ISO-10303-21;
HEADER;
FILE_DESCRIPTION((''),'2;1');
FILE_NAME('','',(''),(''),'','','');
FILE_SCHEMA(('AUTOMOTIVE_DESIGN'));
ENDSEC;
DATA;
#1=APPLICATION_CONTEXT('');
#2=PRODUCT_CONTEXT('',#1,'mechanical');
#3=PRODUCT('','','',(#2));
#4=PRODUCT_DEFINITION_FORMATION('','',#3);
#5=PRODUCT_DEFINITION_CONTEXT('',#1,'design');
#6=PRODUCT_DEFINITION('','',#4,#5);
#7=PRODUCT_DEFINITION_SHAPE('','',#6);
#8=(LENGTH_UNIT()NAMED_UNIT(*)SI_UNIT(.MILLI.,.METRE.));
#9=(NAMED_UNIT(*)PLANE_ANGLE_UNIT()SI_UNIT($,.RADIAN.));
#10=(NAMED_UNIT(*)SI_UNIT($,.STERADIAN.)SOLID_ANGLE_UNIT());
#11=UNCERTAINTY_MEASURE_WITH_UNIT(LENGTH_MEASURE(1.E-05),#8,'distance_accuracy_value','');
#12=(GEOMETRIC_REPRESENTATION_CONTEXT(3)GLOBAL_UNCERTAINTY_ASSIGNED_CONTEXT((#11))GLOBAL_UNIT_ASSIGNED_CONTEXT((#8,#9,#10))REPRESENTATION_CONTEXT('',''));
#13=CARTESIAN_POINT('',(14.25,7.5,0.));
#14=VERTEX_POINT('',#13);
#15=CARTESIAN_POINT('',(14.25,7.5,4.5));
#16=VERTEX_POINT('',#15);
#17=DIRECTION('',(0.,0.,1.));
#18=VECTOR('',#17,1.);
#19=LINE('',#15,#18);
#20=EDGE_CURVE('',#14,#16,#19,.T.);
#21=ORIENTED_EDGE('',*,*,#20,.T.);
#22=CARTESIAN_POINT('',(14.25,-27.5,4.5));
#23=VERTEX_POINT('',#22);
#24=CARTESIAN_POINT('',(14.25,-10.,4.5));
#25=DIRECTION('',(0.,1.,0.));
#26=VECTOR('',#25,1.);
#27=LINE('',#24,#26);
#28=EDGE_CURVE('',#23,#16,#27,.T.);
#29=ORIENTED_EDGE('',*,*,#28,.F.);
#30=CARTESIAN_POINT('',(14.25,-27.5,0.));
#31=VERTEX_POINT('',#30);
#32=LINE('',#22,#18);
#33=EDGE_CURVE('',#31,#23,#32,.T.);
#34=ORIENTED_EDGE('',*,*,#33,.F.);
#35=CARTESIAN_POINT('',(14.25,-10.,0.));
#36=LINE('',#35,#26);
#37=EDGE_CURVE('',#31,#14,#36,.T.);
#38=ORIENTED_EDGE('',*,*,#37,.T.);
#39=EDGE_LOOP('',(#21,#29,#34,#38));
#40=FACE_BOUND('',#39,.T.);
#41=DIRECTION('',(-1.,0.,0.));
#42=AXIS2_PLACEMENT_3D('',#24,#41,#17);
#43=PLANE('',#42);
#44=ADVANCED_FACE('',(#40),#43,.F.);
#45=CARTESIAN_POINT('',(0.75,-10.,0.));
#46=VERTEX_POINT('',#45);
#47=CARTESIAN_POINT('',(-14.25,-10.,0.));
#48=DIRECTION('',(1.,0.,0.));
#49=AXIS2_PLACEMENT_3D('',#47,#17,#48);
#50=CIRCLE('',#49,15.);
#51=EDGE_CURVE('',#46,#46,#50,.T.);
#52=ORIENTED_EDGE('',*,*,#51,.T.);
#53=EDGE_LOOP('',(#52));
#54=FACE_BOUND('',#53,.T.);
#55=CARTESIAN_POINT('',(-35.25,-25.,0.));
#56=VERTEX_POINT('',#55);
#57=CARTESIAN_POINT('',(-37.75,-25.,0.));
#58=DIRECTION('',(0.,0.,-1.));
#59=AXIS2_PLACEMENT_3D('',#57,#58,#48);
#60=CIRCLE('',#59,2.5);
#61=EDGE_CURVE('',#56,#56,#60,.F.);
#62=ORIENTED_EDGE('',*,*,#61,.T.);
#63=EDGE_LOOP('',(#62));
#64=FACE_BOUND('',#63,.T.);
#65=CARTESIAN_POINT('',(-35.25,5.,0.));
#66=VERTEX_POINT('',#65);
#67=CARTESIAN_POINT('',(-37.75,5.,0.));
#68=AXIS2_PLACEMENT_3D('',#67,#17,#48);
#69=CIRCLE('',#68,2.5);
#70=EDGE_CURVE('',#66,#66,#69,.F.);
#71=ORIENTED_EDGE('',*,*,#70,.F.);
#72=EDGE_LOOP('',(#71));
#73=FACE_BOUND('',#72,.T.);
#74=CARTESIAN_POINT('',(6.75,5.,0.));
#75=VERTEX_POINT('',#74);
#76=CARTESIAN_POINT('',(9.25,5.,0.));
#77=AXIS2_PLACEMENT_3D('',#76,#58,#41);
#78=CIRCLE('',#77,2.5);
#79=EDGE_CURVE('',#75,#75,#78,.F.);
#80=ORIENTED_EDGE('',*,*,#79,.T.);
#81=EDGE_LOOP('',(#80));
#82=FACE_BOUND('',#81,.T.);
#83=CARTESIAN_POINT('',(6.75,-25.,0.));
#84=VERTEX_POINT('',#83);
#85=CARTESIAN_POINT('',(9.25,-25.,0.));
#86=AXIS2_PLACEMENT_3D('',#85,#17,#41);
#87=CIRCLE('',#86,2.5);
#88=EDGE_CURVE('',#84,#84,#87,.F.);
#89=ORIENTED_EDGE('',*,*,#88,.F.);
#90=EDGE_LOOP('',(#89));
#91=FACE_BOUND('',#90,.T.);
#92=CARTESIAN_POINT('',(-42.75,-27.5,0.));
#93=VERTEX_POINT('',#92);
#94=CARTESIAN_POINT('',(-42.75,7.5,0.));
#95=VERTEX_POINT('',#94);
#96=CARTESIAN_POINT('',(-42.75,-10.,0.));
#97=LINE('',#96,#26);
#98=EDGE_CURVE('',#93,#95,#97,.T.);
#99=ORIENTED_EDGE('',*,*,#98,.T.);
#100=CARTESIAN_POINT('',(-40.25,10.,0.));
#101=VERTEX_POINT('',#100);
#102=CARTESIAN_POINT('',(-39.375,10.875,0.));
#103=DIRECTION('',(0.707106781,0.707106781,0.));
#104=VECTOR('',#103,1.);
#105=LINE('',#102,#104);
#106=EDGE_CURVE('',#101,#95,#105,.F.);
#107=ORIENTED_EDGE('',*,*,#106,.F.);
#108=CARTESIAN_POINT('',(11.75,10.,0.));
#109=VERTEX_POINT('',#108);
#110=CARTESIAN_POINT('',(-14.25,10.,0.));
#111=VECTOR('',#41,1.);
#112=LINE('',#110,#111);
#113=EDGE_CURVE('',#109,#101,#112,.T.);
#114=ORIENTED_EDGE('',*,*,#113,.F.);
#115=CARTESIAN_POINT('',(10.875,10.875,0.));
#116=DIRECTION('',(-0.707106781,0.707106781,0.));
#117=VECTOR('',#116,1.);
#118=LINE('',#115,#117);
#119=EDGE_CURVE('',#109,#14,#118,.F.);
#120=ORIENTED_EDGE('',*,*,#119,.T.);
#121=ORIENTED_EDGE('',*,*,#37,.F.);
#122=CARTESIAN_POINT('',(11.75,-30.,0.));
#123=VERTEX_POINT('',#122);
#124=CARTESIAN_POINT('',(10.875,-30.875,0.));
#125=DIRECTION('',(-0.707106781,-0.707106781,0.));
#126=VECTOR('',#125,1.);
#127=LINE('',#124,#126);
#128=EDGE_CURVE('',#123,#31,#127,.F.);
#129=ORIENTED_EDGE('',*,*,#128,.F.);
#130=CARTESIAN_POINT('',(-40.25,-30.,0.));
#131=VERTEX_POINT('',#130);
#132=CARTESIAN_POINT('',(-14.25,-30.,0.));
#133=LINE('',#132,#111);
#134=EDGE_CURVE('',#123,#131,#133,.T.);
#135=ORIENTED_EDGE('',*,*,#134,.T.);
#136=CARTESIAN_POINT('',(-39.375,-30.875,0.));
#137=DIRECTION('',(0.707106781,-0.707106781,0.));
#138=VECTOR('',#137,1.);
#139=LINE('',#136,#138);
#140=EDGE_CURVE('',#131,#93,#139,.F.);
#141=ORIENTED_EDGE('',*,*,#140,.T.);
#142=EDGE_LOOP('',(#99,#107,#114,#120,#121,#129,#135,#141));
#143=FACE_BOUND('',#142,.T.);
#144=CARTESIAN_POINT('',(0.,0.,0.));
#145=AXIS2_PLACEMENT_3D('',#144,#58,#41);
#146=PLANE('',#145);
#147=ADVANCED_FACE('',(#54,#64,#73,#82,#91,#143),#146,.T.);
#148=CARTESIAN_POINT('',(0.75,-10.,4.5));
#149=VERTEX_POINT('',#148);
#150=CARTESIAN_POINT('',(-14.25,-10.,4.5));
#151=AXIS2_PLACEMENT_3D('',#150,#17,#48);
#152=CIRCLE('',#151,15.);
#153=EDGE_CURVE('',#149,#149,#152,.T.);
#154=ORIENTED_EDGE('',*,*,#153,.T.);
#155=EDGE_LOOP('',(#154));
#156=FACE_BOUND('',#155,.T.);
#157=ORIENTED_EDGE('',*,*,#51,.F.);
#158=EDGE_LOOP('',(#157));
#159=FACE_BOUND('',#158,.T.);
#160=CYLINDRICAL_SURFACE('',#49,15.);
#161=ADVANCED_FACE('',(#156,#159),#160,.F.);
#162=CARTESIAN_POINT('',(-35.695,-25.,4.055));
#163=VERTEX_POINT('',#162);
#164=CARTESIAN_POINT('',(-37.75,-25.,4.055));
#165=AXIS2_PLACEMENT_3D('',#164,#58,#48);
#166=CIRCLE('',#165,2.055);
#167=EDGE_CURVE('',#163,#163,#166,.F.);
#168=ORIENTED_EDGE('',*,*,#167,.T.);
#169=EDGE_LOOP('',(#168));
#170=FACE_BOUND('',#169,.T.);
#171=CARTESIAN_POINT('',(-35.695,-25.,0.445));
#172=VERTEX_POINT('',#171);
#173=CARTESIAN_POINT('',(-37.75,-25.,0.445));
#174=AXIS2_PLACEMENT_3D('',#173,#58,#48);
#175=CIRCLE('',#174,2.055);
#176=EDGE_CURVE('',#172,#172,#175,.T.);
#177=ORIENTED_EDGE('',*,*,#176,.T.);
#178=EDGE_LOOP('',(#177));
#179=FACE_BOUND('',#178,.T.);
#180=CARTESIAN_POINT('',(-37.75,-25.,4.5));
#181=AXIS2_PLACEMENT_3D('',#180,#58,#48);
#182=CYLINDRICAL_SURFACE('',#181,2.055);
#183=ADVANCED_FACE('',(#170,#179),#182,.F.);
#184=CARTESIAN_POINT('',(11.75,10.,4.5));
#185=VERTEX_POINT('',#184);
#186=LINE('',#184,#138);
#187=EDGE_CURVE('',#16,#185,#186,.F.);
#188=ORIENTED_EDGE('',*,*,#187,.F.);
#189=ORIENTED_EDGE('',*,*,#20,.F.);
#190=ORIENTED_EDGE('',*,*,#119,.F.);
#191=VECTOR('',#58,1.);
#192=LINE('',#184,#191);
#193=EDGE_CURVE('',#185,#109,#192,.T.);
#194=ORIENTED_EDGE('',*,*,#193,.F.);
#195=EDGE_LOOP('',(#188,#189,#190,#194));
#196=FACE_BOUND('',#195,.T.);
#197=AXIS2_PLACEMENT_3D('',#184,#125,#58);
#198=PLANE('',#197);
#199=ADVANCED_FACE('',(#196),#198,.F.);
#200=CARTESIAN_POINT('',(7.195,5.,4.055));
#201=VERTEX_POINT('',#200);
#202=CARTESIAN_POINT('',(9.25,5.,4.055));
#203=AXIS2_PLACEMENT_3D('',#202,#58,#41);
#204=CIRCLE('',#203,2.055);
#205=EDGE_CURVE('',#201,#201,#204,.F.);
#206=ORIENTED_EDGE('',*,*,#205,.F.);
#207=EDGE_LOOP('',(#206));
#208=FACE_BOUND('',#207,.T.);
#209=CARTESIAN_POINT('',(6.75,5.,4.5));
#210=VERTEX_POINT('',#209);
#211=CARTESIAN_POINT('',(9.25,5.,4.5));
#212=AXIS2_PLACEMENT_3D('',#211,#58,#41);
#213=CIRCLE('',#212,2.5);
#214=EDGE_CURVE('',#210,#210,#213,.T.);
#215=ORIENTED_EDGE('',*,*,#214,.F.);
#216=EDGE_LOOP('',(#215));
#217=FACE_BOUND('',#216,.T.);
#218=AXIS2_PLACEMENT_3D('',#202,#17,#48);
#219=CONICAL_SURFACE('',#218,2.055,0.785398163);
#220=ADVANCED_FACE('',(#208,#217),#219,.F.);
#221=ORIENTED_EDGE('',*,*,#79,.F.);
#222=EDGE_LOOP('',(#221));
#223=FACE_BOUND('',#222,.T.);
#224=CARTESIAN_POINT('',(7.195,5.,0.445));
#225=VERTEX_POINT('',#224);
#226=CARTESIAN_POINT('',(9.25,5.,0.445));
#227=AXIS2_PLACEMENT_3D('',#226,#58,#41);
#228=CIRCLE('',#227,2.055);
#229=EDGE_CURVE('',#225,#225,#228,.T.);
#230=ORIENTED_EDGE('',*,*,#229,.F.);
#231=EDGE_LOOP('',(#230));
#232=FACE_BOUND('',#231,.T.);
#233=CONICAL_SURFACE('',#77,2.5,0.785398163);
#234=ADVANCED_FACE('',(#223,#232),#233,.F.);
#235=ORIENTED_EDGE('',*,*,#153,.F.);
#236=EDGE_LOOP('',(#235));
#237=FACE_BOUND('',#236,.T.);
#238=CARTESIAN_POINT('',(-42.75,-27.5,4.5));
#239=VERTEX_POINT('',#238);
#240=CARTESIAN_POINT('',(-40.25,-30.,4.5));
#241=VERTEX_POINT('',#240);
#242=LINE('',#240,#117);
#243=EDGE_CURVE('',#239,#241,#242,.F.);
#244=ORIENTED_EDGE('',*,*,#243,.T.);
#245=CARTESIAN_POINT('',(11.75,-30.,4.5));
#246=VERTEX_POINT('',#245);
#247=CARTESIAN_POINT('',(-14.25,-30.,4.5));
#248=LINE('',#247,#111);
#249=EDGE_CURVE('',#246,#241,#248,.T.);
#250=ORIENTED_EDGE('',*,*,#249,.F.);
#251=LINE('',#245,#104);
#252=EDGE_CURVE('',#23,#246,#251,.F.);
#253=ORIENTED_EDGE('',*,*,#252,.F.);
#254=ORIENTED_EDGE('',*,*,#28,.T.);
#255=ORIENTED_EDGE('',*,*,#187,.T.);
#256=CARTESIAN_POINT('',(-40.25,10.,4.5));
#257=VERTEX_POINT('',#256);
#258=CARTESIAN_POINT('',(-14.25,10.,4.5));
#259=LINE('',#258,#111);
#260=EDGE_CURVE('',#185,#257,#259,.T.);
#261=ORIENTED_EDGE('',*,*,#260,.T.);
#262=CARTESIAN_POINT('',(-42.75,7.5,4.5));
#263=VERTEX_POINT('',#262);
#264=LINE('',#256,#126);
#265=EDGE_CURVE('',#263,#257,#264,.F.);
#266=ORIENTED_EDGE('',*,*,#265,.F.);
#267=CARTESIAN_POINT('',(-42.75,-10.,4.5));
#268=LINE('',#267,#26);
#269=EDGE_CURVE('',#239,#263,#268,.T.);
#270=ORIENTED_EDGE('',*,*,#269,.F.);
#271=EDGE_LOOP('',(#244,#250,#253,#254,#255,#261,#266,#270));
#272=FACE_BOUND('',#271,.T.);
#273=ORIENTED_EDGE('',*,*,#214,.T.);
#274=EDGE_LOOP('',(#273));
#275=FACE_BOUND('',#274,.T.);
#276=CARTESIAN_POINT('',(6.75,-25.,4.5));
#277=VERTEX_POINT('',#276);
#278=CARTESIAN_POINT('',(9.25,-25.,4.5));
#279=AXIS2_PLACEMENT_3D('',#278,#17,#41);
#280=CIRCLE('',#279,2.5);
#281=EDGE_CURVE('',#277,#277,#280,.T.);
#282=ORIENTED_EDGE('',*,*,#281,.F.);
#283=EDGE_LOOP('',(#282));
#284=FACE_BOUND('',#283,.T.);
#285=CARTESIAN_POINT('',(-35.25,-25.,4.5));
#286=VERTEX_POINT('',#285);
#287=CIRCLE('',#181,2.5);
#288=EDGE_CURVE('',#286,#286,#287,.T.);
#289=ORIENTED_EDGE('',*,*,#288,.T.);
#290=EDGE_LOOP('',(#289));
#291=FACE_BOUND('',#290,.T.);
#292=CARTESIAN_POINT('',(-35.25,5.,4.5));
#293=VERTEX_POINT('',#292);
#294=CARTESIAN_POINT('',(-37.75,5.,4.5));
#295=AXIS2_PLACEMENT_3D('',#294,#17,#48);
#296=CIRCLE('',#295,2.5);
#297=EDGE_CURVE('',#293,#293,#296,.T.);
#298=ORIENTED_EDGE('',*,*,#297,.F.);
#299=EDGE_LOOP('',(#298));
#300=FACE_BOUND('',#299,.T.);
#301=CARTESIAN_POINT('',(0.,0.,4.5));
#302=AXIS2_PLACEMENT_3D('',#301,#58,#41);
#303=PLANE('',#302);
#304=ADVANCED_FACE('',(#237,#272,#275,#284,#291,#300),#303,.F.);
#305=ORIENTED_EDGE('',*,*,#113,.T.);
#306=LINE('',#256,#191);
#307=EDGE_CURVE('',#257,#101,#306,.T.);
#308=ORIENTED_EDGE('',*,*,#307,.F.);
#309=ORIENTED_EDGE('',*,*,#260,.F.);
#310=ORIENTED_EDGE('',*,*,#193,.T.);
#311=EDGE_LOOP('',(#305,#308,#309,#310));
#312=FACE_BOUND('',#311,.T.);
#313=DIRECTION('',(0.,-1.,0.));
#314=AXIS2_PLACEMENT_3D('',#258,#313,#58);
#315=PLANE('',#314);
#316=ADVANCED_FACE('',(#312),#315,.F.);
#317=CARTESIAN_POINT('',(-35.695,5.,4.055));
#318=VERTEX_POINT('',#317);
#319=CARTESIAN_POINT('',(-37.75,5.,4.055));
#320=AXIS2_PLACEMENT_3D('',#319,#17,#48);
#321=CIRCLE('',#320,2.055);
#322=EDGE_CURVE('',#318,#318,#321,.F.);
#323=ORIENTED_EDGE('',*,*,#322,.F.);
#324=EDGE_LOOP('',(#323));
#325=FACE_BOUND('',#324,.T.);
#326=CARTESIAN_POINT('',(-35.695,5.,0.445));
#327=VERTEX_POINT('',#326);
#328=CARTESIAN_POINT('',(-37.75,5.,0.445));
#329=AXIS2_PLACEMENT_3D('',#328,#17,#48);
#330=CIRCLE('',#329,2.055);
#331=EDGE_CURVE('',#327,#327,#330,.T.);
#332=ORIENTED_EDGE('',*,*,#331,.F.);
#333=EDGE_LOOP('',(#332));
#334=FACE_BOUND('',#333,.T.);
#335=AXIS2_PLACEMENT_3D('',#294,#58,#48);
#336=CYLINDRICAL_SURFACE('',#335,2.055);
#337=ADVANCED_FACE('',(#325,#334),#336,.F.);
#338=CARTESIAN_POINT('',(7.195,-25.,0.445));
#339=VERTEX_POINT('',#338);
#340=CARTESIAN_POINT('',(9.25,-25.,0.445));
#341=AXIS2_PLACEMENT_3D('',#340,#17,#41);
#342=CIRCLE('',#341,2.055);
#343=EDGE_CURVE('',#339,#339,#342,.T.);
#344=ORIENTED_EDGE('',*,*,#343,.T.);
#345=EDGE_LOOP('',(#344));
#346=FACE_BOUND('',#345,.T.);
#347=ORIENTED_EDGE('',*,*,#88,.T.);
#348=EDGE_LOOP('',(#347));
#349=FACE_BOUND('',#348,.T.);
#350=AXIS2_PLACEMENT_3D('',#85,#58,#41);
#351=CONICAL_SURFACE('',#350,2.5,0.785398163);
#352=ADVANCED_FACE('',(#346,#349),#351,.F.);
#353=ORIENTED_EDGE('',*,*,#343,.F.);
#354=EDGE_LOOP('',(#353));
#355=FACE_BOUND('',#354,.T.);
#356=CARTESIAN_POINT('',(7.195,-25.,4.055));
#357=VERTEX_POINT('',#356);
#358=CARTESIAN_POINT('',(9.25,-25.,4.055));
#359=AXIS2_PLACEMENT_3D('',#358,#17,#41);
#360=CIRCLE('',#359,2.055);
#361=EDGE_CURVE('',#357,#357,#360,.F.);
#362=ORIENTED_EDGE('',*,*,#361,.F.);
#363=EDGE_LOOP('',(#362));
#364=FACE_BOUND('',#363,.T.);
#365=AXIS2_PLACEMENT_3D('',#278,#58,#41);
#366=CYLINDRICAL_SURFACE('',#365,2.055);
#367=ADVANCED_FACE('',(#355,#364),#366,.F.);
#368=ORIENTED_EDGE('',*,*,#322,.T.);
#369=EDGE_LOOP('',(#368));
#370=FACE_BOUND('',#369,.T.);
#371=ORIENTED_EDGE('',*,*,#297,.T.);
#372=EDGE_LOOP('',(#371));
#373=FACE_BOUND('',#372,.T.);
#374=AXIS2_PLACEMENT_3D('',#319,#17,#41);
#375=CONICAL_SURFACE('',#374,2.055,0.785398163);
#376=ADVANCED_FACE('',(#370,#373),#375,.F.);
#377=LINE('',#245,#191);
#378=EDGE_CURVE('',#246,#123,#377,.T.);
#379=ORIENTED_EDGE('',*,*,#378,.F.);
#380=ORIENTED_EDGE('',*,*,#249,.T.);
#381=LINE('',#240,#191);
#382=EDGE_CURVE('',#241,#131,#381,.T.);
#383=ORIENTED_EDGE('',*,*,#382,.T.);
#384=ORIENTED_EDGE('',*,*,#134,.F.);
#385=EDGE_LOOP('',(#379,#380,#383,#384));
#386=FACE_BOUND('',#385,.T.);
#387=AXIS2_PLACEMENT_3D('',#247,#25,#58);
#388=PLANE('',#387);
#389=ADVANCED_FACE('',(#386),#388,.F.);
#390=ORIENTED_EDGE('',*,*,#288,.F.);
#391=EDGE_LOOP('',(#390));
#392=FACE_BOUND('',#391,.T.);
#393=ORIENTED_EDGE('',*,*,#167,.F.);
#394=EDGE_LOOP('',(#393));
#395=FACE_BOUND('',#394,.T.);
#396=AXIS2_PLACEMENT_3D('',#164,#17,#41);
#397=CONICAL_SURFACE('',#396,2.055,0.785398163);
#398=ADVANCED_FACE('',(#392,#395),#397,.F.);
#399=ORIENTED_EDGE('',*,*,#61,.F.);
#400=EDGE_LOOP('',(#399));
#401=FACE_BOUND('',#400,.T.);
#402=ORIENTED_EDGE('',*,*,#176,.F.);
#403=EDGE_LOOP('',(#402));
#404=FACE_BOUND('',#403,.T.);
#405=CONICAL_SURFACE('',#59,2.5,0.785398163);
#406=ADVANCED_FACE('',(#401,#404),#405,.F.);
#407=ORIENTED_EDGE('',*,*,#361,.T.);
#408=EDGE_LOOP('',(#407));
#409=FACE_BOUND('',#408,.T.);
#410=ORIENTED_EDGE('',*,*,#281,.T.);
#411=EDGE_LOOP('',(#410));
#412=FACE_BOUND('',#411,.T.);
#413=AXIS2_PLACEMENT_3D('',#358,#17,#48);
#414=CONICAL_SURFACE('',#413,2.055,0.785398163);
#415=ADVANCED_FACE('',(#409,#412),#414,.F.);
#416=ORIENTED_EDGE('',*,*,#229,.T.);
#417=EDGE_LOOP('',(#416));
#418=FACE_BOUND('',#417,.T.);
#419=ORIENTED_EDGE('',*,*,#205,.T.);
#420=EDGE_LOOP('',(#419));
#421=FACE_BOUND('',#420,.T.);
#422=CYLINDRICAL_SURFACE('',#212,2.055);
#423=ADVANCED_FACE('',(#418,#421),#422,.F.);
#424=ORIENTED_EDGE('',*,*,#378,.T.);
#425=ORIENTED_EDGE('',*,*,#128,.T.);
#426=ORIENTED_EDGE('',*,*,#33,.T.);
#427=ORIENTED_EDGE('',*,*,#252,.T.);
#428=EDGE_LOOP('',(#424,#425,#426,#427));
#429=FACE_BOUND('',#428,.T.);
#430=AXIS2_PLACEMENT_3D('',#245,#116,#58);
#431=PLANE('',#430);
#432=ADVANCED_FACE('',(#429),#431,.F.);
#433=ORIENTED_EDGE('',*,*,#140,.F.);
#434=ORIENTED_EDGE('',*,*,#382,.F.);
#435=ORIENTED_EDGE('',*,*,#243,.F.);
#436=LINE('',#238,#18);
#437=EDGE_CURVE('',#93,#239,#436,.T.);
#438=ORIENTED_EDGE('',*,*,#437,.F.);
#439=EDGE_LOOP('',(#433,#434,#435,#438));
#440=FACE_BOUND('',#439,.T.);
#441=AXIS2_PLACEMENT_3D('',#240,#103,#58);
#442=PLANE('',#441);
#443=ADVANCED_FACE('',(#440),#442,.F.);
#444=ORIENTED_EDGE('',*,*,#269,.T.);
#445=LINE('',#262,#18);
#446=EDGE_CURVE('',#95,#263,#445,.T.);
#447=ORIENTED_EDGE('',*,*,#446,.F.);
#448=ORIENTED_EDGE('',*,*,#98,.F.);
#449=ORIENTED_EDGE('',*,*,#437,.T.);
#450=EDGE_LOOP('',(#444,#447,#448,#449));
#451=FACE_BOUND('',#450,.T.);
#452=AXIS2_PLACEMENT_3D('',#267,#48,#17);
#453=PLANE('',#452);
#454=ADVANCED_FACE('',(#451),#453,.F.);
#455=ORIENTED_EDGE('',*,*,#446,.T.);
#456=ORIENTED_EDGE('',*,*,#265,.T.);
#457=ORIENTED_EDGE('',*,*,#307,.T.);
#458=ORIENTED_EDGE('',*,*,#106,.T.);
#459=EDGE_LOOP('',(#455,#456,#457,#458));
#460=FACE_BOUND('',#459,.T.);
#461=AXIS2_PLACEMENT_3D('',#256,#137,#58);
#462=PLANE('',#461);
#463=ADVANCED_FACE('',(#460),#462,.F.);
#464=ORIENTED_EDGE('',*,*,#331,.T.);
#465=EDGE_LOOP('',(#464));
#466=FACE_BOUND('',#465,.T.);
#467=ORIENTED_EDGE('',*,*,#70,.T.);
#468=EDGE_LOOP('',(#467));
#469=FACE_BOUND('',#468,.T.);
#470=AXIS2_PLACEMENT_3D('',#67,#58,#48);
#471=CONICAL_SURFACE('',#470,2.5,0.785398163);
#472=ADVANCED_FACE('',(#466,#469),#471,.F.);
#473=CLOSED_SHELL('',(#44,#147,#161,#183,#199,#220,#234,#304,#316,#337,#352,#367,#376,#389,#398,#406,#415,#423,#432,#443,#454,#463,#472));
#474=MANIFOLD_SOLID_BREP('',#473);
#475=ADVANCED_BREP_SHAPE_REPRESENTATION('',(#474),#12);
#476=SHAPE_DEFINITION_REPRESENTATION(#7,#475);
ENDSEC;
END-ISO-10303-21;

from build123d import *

# Parameters (mm, degrees)
SKETCH_1_W          = 28.5
SKETCH_1_H          = 20
SKETCH_1_R          = 2.055
EXTRUDE_1_DEPTH     = 4.5
CHAMFER_1_SIZE      = 2.5
CHAMFER_2_SIZE      = 0.445
SKETCH_2_R          = 15
CUT_EXTRUDE_1_DEPTH = 5.5


with BuildPart() as part:
    # Эскиз1 → Бобышка-Вытянуть1 (new body)
    with BuildSketch(Plane.XY):
        Rectangle(SKETCH_1_W, SKETCH_1_H)
        with Locations((9.25, 5)):
            Circle(SKETCH_1_R, mode=Mode.SUBTRACT)
    extrude(amount=EXTRUDE_1_DEPTH)

    # Фаска1
    chamfer_1_edges = [part.edges().sort_by_distance(p)[0] for p in [
        (14.25, 10, 2.25),
    ]]
    chamfer(chamfer_1_edges, length=CHAMFER_1_SIZE)

    # Фаска2
    chamfer_2_edges = [part.edges().sort_by_distance(p)[0] for p in [
        (7.195, 5, 0),
        (7.195, 5, 4.5),
    ]]
    chamfer(chamfer_2_edges, length=CHAMFER_2_SIZE)

    # Зеркальное отражение1: part across plane


with BuildPart() as part_1:
    add(part.part)
    add(part.part.mirror(Plane(origin=(-14.25, -10, 4.5), x_dir=(0, 0, 1), z_dir=(0, 1, 0))))

    # Зеркальное отражение2: part across plane


with BuildPart() as part_2:
    add(part_1.part)
    add(part_1.part.mirror(Plane(origin=(-14.25, -10, 4.5), x_dir=(0, 0, 1), z_dir=(1, 0, 0))))

    # Эскиз2 → Вырез-Вытянуть1 (cut, through all)
    with BuildSketch(Plane.XY.offset(4.5)):
        with Locations((-14.25, -10)):
            Circle(SKETCH_2_R)
    extrude(amount=-CUT_EXTRUDE_1_DEPTH, mode=Mode.SUBTRACT)


solid = part_2.part
